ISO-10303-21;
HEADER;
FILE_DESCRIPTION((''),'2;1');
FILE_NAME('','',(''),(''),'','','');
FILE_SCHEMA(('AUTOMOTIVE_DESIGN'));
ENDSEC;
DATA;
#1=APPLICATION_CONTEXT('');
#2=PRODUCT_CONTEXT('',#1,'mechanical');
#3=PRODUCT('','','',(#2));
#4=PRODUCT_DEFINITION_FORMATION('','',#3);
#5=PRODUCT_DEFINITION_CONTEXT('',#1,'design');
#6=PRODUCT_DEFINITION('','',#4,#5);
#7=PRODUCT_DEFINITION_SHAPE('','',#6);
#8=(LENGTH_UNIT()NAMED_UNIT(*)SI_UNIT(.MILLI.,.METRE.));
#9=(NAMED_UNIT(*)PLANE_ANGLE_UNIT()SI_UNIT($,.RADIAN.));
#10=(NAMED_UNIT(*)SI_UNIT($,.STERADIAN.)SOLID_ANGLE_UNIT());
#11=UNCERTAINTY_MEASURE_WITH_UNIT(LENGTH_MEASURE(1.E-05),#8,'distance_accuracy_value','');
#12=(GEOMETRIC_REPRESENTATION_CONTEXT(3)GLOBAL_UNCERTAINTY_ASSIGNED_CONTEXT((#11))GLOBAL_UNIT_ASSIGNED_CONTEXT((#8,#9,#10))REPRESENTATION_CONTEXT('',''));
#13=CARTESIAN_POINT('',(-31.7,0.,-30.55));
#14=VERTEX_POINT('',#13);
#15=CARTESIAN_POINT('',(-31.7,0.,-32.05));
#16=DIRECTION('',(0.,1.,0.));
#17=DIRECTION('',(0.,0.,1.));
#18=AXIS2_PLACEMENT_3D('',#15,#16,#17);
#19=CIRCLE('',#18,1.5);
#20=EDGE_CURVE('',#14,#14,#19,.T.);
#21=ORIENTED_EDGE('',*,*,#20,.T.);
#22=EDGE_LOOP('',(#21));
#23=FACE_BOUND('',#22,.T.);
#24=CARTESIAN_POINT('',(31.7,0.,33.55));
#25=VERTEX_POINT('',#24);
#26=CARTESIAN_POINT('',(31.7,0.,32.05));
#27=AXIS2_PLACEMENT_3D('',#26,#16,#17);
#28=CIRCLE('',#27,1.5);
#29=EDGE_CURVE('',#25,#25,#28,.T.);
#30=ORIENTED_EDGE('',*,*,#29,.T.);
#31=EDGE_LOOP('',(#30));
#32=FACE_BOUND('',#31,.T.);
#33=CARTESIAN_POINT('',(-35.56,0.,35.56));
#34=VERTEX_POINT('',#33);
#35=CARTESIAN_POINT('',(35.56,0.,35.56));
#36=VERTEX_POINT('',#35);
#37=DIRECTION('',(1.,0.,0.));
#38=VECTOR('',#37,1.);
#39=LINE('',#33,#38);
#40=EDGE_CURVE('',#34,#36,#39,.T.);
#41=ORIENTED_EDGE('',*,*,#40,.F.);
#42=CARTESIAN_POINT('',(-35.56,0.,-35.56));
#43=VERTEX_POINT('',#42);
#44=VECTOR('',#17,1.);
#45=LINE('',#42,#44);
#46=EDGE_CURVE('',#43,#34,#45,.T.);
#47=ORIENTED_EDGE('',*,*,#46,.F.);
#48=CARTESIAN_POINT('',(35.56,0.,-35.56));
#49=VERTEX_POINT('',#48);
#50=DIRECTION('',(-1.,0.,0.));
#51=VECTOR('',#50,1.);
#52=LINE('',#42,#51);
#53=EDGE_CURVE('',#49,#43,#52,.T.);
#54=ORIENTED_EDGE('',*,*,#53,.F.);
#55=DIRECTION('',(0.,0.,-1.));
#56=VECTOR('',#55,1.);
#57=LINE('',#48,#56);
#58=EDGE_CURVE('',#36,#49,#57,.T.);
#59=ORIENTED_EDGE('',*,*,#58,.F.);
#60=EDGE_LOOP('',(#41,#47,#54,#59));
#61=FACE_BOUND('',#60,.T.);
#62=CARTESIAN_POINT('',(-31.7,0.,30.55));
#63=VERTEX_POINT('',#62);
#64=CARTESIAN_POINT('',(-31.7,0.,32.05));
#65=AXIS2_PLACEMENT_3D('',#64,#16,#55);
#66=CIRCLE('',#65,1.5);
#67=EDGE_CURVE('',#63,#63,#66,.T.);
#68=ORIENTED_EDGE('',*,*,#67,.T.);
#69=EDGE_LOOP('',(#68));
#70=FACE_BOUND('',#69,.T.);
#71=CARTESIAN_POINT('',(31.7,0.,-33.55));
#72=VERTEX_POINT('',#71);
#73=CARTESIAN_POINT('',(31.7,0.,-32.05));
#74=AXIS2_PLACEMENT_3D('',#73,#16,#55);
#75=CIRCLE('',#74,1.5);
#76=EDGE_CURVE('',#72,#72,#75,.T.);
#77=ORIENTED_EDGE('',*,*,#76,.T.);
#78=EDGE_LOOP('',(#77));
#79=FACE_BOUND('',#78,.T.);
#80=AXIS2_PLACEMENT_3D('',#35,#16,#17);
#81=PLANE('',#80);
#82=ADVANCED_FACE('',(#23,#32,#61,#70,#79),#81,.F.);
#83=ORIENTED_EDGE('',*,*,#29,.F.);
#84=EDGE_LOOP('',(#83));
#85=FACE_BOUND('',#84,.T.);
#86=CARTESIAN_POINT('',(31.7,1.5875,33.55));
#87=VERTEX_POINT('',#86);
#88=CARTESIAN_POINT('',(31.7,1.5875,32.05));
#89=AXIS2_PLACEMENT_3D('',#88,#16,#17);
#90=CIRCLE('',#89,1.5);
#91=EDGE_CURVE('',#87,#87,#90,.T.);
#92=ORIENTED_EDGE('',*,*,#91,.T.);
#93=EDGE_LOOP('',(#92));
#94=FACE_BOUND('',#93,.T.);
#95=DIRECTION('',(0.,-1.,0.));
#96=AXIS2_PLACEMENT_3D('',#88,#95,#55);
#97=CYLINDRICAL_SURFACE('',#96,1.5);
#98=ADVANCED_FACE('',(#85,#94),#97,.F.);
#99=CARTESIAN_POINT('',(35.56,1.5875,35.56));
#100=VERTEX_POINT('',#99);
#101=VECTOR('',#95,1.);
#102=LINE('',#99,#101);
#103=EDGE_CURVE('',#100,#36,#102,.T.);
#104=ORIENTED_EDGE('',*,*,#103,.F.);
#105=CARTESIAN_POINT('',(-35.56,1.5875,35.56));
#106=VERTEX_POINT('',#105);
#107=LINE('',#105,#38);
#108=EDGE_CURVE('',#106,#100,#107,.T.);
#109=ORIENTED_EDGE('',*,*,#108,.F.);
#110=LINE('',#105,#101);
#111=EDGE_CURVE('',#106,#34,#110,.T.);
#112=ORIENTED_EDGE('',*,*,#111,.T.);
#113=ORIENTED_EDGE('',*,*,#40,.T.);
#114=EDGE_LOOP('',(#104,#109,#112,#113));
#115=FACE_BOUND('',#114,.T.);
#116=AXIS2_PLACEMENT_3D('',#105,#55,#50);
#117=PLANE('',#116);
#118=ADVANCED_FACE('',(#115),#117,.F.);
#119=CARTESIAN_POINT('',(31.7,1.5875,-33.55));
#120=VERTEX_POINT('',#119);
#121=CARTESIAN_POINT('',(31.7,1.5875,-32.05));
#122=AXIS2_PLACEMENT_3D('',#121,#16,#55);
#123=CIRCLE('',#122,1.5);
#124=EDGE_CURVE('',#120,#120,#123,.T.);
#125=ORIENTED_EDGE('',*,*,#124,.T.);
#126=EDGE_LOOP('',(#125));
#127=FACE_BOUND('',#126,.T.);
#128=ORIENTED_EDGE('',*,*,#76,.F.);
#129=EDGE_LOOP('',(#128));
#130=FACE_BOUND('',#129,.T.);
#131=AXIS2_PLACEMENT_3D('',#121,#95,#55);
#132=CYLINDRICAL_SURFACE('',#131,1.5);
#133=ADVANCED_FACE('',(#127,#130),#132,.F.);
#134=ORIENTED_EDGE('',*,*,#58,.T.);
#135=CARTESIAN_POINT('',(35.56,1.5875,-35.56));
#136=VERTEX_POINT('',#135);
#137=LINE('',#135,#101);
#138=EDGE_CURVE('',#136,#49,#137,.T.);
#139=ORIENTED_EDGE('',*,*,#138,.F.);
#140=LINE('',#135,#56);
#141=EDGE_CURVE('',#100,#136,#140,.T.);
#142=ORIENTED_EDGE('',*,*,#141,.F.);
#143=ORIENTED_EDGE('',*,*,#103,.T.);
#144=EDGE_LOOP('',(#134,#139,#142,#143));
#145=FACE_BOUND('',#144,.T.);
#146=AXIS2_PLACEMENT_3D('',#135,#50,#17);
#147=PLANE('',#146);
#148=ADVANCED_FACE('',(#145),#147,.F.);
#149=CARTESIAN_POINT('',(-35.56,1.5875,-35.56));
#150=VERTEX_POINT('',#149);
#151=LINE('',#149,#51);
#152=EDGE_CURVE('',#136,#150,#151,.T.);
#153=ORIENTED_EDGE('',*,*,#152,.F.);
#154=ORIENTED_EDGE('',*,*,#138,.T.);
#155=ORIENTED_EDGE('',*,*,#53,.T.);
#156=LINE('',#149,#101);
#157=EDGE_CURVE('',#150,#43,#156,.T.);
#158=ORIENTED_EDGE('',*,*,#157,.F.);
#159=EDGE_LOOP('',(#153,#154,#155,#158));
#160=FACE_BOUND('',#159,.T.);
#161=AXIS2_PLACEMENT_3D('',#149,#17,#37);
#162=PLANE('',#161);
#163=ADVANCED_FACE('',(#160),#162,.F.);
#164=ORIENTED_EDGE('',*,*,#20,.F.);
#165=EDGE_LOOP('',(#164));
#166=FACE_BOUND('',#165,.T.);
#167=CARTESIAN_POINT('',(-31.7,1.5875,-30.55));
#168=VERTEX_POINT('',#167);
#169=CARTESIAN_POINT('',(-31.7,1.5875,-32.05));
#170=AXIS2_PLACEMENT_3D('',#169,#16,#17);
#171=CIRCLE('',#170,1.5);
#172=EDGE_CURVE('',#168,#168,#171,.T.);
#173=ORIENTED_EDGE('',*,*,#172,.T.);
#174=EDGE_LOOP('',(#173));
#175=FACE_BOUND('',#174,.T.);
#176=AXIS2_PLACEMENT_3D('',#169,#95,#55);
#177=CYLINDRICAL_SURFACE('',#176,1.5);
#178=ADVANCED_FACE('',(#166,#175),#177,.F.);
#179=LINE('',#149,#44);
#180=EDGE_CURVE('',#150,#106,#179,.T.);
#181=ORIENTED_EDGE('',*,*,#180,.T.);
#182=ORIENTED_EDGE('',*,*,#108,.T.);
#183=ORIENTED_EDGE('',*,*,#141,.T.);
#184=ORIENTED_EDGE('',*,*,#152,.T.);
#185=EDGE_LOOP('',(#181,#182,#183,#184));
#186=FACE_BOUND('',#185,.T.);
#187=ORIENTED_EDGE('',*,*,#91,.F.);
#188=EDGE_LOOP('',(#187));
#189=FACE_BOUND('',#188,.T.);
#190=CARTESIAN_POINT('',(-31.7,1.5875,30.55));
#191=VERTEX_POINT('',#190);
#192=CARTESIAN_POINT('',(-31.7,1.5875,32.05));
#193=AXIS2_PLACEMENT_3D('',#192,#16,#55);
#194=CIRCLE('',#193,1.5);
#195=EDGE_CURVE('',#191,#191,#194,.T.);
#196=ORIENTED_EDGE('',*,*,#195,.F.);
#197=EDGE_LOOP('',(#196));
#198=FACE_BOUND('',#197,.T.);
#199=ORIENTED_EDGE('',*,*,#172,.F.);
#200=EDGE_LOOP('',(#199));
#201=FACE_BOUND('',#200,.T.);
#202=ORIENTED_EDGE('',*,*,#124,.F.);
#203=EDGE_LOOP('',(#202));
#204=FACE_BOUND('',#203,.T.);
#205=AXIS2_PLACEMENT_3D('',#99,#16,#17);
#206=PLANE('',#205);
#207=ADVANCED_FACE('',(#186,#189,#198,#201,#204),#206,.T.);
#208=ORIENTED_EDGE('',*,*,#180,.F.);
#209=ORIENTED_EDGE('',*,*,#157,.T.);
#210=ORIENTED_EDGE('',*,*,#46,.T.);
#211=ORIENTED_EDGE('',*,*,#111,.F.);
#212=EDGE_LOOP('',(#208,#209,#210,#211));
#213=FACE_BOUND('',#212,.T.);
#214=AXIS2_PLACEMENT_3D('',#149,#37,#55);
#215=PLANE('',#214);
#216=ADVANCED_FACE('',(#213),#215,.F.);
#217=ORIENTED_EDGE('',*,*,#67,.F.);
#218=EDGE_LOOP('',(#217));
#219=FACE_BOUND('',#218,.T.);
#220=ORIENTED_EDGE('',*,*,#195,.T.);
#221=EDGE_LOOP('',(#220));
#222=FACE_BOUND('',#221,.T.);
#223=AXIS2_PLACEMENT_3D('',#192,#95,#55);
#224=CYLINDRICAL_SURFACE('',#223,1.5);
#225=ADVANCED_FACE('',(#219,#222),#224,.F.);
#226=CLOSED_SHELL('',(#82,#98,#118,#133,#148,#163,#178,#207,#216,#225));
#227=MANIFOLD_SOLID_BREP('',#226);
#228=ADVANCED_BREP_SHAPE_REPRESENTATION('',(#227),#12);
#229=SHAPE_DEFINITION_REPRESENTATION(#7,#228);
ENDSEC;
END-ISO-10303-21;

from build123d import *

# Parameters (mm, degrees)
SKETCH1_W           = 71.12
SKETCH1_H           = 71.12
SKETCH1_R           = 1.5
BOSS_EXTRUDE1_DEPTH = 1.5875


with BuildPart() as part:
    # Sketch1 → Boss-Extrude1 (new body)
    with BuildSketch(Plane(origin=(0, 0, 0), x_dir=(1, 0, 0), z_dir=(0, 1, 0))):
        Rectangle(SKETCH1_W, SKETCH1_H)
        with Locations(Location((-31.7, 32.05, 0), (0, 0, 270))):
            Circle(SKETCH1_R, mode=Mode.SUBTRACT)
        with Locations(Location((31.7, 32.05, 0), (0, 0, 90))):
            Circle(SKETCH1_R, mode=Mode.SUBTRACT)
        with Locations(Location((31.7, -32.05, 0), (0, 0, 270))):
            Circle(SKETCH1_R, mode=Mode.SUBTRACT)
        with Locations(Location((-31.7, -32.05, 0), (0, 0, 90))):
            Circle(SKETCH1_R, mode=Mode.SUBTRACT)
    extrude(amount=BOSS_EXTRUDE1_DEPTH)


solid = part.part
